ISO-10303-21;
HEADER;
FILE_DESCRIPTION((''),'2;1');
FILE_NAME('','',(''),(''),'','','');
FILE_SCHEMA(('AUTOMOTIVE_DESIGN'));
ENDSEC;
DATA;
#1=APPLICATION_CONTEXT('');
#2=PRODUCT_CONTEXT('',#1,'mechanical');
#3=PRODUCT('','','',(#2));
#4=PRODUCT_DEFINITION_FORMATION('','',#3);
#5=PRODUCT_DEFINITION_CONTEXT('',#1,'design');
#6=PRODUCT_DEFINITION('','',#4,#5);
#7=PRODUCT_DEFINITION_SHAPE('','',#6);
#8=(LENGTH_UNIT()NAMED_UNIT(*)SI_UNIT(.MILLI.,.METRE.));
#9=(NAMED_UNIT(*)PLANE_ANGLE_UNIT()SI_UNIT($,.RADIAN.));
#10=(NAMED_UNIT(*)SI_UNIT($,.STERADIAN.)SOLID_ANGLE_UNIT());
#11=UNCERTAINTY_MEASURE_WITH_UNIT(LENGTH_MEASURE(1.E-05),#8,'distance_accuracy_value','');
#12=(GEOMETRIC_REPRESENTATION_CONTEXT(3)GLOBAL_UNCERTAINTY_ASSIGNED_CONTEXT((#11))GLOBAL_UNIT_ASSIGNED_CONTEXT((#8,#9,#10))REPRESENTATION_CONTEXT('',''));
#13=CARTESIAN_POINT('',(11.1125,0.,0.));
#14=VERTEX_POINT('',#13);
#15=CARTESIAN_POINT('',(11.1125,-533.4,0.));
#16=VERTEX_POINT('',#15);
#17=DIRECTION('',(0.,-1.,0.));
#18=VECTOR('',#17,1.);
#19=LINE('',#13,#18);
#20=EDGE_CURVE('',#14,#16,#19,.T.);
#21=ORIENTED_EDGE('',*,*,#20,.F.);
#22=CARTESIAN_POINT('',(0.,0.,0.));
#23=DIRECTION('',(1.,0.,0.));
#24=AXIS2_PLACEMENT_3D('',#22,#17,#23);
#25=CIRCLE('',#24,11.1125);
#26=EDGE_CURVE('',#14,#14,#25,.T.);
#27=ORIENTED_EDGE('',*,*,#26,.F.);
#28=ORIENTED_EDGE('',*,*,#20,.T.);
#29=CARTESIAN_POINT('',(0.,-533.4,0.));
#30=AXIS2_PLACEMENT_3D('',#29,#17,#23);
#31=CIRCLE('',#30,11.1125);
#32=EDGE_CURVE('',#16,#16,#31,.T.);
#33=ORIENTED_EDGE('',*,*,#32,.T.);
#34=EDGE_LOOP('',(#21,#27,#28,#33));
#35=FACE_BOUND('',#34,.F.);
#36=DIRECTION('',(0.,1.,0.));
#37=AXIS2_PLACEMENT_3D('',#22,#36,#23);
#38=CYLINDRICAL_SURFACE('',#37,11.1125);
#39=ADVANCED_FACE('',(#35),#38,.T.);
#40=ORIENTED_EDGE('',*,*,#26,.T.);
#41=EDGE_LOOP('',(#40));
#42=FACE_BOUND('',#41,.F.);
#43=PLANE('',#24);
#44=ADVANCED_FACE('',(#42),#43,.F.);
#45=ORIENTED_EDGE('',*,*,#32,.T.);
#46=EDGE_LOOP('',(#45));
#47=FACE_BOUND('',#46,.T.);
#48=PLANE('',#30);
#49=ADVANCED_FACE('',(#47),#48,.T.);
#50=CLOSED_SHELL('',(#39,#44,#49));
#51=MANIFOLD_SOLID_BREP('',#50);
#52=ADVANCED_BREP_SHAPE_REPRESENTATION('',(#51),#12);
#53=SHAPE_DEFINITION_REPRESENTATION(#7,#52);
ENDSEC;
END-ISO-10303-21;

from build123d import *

# Parameters (mm, degrees)
SKETCH_R  = 11.1125
PAD_DEPTH = 533.4


with BuildPart() as part:
    # Sketch → Pad (new body)
    with BuildSketch(Plane.XZ):
        Circle(SKETCH_R)
    extrude(amount=PAD_DEPTH)


solid = part.part
